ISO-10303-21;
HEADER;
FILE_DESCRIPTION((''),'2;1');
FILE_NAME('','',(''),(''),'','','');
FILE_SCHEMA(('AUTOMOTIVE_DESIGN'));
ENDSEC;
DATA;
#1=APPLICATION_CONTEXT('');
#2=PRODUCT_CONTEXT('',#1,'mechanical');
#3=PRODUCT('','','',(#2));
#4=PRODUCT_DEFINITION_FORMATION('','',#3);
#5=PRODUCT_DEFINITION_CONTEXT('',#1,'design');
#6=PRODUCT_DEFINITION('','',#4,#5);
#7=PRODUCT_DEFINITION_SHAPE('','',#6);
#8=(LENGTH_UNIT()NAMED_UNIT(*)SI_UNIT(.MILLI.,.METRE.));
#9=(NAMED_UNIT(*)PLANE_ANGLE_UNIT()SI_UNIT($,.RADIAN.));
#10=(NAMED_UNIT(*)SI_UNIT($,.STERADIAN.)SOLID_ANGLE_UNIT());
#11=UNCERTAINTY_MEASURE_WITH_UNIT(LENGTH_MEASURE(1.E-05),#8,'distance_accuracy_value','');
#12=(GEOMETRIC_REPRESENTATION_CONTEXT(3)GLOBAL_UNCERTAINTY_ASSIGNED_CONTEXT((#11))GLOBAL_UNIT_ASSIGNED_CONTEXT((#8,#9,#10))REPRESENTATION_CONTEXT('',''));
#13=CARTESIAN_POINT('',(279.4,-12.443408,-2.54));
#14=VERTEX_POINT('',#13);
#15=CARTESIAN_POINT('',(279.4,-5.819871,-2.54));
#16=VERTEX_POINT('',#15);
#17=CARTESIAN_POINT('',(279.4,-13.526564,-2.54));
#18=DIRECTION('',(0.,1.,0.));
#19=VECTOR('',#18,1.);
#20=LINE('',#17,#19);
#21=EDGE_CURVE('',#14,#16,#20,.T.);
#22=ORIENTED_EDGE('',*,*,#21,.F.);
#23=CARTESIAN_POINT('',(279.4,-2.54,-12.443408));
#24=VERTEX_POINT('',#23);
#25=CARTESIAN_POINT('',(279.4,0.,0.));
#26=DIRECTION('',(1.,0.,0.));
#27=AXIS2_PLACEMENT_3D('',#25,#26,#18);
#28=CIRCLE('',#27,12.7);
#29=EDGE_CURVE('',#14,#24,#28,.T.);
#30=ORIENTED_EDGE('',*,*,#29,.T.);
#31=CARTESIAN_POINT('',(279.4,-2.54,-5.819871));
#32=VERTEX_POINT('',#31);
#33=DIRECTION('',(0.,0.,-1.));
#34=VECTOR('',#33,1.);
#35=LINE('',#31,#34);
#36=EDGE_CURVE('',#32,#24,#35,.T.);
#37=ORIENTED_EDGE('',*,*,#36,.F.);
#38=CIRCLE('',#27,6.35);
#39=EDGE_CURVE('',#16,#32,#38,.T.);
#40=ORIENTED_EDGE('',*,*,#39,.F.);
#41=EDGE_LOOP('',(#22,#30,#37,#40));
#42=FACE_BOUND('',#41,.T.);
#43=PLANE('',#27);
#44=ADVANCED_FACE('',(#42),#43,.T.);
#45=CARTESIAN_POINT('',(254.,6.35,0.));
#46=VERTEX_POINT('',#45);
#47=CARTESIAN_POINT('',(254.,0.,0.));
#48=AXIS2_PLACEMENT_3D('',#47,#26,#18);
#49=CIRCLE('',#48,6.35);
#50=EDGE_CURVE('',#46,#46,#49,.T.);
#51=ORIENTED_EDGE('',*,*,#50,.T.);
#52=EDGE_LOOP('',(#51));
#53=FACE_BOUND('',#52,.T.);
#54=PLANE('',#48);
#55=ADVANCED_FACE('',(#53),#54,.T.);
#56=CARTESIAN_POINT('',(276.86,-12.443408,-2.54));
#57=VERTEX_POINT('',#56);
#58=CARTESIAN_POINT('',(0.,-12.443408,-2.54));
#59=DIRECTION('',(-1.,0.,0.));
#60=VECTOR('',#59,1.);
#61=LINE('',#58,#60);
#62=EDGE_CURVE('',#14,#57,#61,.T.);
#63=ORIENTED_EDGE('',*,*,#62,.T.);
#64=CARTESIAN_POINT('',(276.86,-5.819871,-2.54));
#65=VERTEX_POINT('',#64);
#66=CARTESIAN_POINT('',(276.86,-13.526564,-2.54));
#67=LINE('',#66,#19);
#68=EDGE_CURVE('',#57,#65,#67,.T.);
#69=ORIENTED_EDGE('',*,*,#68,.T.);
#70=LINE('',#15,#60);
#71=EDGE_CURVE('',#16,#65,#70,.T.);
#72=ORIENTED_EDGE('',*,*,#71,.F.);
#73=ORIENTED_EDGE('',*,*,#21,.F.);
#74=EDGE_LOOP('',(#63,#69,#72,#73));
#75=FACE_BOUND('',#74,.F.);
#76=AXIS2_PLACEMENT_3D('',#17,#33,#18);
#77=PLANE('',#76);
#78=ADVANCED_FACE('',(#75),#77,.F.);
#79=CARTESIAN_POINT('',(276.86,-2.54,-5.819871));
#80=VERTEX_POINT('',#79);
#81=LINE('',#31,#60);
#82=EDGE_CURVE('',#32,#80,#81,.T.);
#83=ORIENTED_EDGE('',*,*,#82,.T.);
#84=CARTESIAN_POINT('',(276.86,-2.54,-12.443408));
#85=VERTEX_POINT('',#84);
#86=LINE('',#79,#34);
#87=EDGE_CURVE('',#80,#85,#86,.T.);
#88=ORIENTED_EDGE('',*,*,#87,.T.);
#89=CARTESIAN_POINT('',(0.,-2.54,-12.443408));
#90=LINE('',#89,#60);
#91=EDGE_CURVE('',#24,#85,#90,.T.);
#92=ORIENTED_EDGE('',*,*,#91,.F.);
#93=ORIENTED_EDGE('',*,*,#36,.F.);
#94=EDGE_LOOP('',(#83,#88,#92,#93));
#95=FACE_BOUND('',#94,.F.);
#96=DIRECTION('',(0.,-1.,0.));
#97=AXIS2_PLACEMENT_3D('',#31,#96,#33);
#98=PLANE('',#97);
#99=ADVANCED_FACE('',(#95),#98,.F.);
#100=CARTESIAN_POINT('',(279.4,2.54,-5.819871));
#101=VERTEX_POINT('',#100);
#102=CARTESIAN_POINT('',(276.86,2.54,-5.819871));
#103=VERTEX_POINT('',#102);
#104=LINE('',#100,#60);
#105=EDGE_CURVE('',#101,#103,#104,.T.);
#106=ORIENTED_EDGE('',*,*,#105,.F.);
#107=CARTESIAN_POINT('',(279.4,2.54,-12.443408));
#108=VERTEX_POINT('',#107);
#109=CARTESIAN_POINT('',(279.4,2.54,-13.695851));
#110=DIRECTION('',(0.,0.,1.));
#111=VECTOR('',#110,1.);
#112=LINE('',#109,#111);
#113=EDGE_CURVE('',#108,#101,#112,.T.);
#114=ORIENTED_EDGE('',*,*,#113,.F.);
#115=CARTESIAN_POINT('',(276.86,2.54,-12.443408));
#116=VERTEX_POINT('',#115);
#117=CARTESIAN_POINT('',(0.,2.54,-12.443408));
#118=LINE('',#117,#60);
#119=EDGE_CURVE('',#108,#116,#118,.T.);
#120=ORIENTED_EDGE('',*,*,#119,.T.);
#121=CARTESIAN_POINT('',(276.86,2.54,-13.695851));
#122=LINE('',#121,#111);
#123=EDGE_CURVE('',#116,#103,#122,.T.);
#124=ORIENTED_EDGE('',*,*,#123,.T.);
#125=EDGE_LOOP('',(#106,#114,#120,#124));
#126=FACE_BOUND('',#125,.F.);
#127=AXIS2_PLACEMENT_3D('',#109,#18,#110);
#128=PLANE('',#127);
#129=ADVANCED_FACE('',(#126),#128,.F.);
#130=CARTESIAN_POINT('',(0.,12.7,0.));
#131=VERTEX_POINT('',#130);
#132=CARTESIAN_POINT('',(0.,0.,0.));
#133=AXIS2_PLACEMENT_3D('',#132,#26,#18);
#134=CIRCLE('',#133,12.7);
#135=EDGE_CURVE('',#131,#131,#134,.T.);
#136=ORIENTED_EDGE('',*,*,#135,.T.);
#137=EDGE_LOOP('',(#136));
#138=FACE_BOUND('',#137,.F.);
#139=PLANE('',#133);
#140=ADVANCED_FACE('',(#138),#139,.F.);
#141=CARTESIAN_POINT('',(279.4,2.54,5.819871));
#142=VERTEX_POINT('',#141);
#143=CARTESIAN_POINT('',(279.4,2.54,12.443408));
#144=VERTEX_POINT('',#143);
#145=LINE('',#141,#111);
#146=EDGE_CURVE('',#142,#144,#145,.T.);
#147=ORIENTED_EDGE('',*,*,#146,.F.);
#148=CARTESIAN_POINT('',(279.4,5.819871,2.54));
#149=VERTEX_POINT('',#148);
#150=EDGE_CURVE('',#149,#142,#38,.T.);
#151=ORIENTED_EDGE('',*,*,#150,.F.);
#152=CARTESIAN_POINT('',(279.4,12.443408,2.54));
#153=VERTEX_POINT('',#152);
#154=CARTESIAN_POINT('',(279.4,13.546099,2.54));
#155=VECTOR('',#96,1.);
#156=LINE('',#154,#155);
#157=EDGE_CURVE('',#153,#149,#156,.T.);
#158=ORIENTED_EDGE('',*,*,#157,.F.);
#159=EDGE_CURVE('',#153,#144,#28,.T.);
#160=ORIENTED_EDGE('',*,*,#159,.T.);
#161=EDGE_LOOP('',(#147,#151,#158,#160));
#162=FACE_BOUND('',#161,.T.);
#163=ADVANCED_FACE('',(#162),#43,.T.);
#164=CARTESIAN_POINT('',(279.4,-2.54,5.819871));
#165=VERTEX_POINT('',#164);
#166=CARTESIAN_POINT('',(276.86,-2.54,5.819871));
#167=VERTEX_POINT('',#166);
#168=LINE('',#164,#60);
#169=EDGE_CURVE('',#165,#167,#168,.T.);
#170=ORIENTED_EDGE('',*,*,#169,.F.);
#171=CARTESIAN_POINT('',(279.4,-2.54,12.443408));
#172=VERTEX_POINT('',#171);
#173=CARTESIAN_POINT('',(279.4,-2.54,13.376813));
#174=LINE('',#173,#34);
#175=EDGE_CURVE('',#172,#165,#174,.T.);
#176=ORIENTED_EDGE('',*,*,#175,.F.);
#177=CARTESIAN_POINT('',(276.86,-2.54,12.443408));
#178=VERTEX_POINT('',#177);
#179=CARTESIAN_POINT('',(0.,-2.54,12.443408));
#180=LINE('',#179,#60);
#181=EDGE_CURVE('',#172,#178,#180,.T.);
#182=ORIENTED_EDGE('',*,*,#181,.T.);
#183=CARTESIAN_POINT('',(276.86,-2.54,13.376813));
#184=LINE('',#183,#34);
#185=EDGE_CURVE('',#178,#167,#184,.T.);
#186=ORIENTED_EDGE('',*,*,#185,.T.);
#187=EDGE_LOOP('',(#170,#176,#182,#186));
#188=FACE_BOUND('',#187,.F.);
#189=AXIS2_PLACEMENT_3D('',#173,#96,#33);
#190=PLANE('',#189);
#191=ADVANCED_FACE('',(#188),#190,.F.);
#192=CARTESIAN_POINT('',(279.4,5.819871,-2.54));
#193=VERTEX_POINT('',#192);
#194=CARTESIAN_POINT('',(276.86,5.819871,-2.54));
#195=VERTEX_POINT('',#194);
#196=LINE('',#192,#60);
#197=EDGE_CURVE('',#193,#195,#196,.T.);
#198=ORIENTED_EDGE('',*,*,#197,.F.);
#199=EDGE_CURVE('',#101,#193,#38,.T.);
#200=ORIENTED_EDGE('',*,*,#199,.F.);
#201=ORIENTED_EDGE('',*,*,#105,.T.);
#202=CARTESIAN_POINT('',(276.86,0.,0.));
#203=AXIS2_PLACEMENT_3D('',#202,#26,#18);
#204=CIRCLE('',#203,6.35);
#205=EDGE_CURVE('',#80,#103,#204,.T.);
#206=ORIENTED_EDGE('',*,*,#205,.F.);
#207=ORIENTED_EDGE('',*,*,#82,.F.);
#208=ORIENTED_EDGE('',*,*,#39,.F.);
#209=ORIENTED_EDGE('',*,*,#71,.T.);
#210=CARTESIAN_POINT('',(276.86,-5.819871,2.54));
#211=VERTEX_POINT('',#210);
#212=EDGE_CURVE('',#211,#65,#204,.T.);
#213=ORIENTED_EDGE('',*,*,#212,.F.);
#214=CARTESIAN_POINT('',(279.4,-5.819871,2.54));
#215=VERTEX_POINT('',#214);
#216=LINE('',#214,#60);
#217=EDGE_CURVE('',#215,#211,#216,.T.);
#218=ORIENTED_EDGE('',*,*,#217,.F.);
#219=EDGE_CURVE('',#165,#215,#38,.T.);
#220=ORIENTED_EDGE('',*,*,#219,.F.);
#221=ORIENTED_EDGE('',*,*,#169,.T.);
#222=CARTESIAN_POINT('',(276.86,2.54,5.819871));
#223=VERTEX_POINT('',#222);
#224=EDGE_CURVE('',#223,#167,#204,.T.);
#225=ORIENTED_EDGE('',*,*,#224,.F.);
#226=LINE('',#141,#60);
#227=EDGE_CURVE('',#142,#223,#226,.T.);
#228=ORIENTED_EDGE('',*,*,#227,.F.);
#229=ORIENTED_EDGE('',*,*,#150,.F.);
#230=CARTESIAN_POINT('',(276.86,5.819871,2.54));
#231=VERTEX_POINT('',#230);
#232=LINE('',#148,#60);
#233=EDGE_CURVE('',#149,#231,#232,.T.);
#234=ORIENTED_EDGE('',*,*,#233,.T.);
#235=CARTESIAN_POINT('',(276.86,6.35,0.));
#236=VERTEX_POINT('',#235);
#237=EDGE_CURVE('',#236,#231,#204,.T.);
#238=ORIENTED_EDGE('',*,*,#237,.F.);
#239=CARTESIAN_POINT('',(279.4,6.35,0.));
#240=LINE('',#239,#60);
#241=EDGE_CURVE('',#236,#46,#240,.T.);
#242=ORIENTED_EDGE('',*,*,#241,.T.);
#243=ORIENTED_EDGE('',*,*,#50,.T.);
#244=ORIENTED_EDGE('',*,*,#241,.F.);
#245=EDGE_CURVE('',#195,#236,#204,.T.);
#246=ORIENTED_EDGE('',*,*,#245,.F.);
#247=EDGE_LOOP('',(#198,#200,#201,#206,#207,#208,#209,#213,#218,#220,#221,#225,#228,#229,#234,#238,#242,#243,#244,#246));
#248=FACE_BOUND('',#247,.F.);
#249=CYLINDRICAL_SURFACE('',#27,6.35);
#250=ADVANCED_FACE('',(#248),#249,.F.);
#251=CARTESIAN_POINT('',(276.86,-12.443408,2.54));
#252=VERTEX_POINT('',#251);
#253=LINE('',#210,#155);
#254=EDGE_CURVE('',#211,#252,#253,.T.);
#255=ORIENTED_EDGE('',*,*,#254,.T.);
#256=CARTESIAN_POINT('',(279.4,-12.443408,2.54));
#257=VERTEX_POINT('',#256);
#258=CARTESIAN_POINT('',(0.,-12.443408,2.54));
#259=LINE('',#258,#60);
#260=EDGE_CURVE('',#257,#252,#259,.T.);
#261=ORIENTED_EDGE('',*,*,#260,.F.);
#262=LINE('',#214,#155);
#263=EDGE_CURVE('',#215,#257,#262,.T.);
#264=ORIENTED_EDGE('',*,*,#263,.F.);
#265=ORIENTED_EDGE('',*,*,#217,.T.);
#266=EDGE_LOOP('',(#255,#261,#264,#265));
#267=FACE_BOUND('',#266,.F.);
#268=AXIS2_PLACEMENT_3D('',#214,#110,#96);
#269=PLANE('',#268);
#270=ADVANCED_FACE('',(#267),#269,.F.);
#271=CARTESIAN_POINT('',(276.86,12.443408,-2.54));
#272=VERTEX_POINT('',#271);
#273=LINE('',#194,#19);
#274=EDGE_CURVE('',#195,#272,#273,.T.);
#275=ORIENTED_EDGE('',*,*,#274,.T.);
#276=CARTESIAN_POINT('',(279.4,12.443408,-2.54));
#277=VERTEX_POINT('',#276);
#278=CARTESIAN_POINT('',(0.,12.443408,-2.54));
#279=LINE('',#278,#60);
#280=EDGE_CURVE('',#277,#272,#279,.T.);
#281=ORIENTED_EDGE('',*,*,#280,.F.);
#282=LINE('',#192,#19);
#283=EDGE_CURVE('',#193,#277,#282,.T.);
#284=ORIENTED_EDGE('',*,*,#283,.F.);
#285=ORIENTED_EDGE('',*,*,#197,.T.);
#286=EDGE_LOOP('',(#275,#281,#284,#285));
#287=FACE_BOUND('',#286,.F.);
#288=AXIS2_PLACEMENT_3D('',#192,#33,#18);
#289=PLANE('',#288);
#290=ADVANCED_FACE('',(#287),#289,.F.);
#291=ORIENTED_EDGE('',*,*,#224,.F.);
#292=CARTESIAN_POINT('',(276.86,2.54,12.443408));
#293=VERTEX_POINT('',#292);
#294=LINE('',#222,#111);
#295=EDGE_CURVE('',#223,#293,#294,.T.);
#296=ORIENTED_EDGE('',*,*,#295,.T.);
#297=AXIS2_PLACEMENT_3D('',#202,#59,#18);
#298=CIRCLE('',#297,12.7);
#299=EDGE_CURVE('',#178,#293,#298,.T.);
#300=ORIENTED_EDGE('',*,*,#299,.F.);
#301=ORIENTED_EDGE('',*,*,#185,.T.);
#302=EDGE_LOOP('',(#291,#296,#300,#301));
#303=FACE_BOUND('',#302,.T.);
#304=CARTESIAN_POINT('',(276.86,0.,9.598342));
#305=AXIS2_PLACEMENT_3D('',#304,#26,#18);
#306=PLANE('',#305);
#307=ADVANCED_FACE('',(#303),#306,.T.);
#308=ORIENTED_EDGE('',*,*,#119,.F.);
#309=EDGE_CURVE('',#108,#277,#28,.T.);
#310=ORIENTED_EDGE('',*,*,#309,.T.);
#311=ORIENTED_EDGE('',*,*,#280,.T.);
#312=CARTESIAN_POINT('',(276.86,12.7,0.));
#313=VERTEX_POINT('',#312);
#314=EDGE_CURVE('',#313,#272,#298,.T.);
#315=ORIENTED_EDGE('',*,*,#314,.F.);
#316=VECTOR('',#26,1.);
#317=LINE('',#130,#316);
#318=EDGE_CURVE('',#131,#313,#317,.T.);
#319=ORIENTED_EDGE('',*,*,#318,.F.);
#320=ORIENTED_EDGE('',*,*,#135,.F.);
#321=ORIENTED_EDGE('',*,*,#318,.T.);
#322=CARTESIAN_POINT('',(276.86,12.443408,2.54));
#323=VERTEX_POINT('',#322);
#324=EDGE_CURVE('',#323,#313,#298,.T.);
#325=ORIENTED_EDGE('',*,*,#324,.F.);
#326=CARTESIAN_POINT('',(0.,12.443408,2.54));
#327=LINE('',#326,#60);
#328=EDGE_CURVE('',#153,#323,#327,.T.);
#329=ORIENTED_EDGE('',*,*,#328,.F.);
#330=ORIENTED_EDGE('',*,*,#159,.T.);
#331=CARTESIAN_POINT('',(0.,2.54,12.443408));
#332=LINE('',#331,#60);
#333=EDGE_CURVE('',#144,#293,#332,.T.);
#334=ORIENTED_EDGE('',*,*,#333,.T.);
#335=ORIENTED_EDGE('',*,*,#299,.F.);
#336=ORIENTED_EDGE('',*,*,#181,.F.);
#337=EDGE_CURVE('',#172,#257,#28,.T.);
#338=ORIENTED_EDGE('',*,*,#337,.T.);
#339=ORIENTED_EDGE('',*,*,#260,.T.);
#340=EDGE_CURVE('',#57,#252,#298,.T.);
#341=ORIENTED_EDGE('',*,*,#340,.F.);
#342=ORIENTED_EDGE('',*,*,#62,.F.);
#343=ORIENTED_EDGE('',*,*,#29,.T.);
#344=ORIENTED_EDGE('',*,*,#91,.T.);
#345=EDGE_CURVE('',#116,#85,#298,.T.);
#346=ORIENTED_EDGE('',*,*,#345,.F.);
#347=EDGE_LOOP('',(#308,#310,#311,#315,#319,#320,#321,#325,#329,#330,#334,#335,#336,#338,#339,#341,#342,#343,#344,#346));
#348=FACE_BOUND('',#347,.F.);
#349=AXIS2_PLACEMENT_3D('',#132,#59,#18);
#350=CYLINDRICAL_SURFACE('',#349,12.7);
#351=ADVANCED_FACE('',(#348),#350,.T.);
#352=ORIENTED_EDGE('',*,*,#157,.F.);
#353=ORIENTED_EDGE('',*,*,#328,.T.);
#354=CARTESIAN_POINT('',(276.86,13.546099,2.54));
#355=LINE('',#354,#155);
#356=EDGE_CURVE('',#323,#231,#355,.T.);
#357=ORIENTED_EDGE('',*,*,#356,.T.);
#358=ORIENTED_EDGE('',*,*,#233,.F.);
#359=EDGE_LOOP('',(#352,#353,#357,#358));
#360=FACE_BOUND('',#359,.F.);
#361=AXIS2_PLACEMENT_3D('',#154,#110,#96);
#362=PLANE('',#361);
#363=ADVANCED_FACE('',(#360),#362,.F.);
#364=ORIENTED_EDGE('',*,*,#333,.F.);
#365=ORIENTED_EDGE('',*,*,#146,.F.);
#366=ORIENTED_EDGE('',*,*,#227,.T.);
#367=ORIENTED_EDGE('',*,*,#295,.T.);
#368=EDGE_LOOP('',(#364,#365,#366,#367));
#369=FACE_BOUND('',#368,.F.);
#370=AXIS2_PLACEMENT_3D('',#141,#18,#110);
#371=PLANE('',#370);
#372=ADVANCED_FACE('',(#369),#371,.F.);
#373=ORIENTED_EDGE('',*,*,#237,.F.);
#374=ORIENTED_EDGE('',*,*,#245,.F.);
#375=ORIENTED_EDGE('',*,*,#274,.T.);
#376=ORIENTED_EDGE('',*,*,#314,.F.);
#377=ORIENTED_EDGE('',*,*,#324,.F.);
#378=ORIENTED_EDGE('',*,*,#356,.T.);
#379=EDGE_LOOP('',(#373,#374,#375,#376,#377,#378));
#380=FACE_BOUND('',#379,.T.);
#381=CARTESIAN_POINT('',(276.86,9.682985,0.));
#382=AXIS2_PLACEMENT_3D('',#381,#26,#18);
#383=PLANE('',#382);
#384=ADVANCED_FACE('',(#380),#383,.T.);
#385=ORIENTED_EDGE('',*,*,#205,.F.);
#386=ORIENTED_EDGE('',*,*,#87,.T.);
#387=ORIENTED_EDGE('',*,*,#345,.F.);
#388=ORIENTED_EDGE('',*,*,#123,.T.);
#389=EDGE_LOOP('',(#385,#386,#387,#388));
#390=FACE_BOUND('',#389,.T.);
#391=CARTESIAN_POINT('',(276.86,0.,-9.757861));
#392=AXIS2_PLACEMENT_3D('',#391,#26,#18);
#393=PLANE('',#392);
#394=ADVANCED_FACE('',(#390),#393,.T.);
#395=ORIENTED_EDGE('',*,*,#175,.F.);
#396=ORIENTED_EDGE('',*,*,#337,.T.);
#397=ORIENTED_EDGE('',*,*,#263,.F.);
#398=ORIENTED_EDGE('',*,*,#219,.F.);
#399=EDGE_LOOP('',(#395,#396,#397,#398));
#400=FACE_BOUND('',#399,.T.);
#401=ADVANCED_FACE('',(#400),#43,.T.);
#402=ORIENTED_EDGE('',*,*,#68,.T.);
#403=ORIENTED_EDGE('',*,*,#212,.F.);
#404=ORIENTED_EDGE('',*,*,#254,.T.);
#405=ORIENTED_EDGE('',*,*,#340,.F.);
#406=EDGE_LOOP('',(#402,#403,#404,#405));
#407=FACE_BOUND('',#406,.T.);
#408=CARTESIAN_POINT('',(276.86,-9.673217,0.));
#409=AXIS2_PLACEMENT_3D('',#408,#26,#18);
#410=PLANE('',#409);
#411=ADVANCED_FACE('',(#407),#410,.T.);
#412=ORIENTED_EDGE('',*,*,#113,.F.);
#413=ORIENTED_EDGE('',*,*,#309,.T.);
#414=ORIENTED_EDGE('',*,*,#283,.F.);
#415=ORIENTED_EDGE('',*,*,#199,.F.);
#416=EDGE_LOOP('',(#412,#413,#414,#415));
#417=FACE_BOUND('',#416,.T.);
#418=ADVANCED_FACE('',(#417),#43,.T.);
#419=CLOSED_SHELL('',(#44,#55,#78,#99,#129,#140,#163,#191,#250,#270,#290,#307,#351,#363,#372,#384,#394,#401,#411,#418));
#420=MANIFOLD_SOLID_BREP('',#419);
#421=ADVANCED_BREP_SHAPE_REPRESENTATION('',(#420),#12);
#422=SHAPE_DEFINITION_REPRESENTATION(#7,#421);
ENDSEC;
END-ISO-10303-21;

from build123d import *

# Parameters (mm, degrees)
F0_R     = 12.7
F1_DEPTH = 279.4
F2_R     = 6.35
F3_DEPTH = 25.4
F5_DEPTH = 2.54


with BuildPart() as f1:
    # F0 (on Right) → F1 (new body)
    with BuildSketch(Plane.YZ):
        Circle(F0_R)
    extrude(amount=F1_DEPTH)

    # F2 (on face) → F3 (cut)
    with BuildSketch(Plane.YZ.offset(279.4)):
        Circle(F2_R)
    extrude(amount=-F3_DEPTH, mode=Mode.SUBTRACT)

    # F4 (on face) → F5 (cut)
    with BuildSketch(Plane.YZ.offset(279.4)):
        Polygon((-13.526564, -2.54), (-12.443408, -2.54), (-5.819871, -2.54), (-5.819871, 2.54), (-12.443408, 2.54), (-13.526564, 2.54), align=None)
        Polygon((-2.54, 13.376813), (-2.54, 12.443408), (-2.54, 5.819871), (2.54, 5.819871), (2.54, 12.443408), (2.54, 13.376813), align=None)
        Polygon((12.443408, 2.54), (5.819871, 2.54), (5.819871, -2.54), (12.443408, -2.54), (13.546099, -2.54), (13.546099, 2.54), align=None)
        Polygon((2.54, -12.443408), (2.54, -5.819871), (-2.54, -5.819871), (-2.54, -12.443408), (-2.54, -13.695851), (2.54, -13.695851), align=None)
    extrude(amount=-F5_DEPTH, mode=Mode.SUBTRACT)


solid = f1.part
